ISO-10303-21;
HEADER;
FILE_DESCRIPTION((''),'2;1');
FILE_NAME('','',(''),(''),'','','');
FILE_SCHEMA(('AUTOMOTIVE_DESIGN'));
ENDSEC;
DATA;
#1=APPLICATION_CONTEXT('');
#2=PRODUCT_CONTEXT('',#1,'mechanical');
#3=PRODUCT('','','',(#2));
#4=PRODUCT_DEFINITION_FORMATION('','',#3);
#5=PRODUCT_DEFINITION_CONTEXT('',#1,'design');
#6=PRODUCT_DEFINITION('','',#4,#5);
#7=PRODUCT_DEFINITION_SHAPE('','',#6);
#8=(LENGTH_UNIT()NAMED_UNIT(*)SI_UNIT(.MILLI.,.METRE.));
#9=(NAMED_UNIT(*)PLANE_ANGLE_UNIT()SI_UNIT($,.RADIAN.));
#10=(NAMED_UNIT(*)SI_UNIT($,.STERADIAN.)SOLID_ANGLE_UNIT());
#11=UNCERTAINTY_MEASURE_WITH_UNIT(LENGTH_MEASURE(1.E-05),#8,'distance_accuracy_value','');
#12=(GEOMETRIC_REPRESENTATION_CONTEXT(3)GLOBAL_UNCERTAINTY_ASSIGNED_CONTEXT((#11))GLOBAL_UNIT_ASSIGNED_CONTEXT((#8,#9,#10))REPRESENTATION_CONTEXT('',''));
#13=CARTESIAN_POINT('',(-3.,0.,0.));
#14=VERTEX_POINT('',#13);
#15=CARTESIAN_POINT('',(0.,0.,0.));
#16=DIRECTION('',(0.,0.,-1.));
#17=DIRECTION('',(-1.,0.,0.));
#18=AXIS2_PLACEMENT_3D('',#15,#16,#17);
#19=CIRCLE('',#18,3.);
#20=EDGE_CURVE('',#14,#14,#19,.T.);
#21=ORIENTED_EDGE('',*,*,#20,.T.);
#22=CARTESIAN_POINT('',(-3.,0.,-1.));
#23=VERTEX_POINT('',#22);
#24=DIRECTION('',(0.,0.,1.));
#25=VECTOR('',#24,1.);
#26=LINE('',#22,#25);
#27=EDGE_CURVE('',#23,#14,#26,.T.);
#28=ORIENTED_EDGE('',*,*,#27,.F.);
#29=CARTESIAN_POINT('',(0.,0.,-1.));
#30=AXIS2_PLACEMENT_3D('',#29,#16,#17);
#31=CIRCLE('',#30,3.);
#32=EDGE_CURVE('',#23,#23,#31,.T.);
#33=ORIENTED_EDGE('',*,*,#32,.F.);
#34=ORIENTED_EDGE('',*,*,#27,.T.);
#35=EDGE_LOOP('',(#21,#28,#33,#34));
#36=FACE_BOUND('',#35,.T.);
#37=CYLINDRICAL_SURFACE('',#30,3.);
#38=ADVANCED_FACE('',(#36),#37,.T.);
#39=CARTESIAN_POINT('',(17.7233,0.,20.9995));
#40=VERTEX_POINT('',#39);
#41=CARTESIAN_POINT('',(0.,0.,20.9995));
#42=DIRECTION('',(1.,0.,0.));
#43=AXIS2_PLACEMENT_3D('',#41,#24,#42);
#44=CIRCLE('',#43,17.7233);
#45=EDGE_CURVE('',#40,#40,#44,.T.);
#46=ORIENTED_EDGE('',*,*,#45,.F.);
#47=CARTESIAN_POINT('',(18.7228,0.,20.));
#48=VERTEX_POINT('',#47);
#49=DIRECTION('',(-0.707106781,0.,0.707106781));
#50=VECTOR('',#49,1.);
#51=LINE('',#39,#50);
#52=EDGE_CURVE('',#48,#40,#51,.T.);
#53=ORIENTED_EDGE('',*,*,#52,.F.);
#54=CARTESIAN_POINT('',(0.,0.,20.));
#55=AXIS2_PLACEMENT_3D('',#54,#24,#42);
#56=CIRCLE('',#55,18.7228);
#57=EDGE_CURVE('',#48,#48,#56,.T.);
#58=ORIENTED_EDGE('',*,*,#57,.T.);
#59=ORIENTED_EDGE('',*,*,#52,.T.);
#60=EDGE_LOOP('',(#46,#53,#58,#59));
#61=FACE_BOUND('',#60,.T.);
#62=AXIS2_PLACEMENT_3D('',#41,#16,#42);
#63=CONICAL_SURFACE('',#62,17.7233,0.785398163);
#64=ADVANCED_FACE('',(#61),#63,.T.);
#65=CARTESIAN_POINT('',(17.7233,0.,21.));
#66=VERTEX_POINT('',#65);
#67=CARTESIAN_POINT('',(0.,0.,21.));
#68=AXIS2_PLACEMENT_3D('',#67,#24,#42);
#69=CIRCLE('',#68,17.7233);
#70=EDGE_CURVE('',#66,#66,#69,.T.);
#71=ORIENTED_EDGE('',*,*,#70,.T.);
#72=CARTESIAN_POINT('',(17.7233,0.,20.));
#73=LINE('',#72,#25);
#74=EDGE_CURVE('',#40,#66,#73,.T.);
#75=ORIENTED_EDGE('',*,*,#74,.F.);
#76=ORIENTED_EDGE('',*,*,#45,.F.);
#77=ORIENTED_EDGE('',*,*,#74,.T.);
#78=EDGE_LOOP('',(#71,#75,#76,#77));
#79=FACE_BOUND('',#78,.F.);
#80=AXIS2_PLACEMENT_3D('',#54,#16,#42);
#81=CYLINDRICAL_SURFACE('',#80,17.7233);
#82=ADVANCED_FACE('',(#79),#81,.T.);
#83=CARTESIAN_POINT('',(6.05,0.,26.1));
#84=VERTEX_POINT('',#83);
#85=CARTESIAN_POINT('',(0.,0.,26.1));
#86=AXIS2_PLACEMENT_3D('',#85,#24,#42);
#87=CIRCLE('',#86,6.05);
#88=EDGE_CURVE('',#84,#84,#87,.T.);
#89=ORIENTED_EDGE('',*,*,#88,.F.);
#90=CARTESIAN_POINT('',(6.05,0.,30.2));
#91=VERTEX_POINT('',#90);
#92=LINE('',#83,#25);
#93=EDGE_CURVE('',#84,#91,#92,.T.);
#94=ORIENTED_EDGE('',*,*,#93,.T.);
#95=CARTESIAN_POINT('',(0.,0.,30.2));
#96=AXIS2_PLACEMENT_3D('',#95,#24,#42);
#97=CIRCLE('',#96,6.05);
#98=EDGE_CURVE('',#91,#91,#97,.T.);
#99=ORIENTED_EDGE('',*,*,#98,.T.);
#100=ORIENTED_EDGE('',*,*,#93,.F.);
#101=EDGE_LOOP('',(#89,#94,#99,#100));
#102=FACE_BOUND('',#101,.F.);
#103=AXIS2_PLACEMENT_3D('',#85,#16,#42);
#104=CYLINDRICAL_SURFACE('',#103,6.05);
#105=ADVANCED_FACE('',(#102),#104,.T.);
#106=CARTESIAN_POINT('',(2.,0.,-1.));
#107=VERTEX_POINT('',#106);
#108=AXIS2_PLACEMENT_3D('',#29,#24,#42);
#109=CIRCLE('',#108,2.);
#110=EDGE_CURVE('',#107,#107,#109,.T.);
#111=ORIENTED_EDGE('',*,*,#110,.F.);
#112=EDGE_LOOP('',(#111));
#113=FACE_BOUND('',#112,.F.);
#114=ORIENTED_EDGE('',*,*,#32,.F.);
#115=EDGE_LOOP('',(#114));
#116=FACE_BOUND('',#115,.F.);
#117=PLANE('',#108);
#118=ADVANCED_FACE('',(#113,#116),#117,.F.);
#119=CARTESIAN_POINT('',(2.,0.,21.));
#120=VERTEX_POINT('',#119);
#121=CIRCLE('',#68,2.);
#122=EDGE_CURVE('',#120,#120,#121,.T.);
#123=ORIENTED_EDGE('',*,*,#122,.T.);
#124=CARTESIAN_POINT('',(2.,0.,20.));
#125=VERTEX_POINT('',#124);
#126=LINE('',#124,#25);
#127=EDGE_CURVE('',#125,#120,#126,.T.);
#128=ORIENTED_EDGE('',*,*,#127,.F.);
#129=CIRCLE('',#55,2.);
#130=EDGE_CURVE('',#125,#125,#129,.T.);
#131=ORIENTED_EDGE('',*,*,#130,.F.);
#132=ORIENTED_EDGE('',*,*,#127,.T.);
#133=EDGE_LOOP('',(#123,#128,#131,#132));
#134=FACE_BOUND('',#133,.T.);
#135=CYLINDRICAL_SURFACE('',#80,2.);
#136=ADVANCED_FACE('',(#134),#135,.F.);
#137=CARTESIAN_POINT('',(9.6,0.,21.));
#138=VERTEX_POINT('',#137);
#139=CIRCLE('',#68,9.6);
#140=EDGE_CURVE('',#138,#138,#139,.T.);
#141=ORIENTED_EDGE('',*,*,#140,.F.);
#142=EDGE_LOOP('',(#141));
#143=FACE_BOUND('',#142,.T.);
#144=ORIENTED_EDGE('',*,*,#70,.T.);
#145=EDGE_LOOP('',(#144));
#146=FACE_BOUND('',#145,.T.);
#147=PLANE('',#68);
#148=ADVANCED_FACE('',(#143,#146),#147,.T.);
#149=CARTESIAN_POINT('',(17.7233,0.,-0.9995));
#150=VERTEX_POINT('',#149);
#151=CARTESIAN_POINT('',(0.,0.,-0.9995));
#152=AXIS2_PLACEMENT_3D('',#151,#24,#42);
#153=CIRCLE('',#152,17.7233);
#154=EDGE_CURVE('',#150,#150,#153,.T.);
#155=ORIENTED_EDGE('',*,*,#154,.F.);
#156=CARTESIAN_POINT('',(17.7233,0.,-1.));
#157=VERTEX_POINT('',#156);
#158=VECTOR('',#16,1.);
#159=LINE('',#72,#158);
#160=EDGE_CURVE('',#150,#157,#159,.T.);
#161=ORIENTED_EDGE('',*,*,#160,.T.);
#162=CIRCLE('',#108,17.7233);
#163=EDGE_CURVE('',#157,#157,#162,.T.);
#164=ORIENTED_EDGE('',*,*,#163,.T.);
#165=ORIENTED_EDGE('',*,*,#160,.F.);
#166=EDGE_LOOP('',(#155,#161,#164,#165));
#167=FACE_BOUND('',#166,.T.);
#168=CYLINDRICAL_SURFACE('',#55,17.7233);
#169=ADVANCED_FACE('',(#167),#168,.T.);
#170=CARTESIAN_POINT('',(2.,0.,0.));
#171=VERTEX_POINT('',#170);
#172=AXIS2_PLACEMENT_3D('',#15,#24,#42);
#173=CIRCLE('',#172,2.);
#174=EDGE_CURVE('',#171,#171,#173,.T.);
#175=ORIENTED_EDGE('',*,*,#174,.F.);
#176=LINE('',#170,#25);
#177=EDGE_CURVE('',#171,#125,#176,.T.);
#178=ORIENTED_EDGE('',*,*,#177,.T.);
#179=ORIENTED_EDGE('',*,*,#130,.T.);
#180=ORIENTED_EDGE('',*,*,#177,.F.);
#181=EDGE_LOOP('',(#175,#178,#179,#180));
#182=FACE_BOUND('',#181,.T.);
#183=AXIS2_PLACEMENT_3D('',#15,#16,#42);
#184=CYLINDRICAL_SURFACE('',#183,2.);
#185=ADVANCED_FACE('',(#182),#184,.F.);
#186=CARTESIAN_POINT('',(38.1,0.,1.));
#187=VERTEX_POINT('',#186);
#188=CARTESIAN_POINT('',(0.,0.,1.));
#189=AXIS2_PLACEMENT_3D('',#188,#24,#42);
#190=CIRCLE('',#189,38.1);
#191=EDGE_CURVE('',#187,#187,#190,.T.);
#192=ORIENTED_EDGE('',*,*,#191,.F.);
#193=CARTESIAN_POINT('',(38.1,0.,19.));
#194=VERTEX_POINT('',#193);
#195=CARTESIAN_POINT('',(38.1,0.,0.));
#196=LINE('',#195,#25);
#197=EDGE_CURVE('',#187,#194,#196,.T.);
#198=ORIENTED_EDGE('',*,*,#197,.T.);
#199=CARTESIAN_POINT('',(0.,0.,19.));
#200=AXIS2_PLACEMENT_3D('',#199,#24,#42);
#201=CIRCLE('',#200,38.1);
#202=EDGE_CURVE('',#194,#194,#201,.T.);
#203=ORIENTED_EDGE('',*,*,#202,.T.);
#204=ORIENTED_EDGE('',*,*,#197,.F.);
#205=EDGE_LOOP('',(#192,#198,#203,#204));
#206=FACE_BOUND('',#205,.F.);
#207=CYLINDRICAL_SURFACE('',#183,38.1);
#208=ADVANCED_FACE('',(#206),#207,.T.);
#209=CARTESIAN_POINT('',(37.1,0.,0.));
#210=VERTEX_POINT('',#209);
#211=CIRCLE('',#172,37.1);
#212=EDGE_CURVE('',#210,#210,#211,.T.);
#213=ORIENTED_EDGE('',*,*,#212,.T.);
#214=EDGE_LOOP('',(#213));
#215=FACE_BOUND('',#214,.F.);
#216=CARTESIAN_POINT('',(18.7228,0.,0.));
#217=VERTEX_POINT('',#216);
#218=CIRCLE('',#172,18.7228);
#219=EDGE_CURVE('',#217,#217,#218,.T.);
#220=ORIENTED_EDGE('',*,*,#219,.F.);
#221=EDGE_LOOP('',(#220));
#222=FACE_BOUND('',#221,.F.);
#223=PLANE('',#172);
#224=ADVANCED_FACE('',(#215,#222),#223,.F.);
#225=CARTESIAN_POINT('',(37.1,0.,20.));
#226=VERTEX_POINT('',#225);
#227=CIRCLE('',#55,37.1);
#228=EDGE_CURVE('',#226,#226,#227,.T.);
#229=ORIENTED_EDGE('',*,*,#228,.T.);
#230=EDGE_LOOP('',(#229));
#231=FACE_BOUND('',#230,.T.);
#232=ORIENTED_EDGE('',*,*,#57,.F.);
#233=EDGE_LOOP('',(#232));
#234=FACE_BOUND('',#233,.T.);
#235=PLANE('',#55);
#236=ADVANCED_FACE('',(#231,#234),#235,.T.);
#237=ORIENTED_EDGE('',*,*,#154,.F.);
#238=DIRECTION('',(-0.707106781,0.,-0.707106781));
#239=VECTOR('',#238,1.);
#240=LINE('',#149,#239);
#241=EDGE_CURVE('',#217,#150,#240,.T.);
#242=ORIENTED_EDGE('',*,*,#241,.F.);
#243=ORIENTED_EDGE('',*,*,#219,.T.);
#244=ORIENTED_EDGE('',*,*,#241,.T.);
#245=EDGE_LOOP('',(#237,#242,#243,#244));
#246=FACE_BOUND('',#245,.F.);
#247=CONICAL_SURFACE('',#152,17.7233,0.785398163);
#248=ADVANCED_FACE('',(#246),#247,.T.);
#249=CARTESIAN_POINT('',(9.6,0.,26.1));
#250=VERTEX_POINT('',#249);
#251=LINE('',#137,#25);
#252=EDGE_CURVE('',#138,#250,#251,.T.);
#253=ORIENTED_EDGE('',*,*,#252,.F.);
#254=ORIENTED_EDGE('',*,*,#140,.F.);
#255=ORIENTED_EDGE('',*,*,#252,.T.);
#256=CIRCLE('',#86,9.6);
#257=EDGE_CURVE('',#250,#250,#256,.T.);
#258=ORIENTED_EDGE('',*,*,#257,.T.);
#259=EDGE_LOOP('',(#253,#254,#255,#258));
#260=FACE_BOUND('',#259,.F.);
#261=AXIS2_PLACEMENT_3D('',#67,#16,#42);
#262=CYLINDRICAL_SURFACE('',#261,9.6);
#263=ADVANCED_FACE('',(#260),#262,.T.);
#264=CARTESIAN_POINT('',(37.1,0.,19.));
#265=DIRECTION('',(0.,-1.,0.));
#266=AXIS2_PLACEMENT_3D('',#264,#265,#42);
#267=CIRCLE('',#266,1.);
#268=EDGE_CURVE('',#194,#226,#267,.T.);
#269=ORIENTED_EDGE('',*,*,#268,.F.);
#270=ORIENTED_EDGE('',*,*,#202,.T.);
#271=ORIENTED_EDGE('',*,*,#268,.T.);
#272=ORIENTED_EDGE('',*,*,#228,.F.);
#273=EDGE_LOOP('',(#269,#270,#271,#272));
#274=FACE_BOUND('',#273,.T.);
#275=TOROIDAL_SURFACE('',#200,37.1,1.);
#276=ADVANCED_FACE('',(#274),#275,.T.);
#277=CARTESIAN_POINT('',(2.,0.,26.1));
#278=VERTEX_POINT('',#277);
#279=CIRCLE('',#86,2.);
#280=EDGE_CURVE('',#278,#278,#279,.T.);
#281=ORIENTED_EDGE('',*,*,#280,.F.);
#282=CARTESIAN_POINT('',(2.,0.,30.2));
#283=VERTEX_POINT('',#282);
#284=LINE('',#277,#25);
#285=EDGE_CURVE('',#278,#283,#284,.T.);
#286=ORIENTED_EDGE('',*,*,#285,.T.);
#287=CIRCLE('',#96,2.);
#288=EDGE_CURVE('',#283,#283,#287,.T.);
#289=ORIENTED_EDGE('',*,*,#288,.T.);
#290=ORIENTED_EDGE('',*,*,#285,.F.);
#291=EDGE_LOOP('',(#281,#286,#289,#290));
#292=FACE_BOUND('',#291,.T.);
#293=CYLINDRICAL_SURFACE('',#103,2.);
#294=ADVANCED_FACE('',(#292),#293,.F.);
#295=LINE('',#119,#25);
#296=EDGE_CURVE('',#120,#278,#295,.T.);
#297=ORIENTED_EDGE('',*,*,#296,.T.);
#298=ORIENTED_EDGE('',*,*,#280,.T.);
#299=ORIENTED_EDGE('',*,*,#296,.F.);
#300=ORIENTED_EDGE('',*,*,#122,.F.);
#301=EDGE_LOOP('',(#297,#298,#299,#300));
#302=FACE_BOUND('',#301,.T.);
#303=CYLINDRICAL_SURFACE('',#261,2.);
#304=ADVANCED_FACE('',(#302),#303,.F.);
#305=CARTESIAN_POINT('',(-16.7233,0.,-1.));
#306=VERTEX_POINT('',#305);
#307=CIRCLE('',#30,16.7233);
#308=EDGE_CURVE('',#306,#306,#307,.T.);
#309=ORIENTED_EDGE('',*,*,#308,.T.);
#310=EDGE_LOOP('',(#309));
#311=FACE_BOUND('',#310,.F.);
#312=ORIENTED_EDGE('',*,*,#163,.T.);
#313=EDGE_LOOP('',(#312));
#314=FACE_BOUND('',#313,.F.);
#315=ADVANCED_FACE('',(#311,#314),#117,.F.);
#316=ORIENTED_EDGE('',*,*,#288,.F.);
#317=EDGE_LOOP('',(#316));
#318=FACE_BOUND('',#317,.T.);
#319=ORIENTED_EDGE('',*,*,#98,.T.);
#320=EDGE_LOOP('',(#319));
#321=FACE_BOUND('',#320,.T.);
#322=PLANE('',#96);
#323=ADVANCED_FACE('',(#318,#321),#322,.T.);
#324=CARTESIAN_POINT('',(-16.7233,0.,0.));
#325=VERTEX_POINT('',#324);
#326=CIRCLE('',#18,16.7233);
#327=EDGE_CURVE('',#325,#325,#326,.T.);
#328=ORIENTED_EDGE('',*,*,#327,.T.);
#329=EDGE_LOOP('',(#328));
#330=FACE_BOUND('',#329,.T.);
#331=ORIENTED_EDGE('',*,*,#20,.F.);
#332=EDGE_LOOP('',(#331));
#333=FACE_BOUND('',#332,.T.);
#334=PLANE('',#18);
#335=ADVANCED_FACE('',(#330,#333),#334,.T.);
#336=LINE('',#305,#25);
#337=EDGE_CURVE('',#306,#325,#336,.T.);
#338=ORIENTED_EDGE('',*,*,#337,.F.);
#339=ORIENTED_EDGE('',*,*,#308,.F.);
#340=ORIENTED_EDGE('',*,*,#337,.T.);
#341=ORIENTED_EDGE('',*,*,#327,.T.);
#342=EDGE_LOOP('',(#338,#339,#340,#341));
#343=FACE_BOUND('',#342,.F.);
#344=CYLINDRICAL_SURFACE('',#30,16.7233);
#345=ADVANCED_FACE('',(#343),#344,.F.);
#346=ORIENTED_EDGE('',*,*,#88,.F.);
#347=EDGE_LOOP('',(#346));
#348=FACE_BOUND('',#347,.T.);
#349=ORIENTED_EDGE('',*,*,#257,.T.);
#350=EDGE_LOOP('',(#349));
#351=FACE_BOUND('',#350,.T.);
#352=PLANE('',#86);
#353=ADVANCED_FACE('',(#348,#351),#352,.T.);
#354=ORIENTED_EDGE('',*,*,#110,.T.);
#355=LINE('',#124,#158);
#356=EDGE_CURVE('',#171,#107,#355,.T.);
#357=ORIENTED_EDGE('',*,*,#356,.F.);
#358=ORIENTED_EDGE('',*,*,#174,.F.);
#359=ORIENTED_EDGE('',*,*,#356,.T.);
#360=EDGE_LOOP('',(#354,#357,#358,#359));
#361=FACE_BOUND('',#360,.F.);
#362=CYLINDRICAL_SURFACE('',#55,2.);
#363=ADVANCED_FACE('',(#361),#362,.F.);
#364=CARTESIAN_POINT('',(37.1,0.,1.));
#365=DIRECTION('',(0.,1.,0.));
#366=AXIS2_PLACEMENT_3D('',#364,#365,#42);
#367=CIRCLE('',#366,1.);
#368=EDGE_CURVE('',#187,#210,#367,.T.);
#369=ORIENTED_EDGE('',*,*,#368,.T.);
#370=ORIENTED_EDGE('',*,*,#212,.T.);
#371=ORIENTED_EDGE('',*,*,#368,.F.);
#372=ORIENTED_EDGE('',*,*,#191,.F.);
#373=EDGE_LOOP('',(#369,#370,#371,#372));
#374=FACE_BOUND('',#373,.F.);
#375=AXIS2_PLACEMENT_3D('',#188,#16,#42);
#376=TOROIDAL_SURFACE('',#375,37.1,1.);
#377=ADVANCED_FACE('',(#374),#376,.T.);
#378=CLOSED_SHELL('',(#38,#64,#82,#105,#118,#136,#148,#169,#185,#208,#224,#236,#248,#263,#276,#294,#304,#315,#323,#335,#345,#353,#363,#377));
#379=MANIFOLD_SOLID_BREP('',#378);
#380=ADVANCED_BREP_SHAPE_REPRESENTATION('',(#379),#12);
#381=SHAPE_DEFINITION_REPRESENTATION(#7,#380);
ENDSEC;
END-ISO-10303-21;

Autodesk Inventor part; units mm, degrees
ref_plane "YZ Plane" through (0, 0, 0) normal (1, 0, 0) x (0, 1, 0)
ref_plane "XZ Plane" through (0, 0, 0) normal (0, 1, 0) x (-1, 0, 0)
ref_plane "XY Plane" through (0, 0, 0) normal (0, 0, 1) x (1, 0, 0)
sketch "Esquisse1" plane through (0, 0, 0) normal (0, 0, 1) x (1, 0, 0)
  circle A0 centre (0, 0) radius 38.1
  circle A1 centre (0, 0) radius 2
  dimension "d0" = 76.2
  dimension "d1" = 4
extrude "Extrusion1" add sketch "Esquisse1" along normal blind 20
sketch "Esquisse2" plane through (0, 0, 20) normal (0, 0, 1) x (1, 0, 0)
  circle A0 centre (0, 0) radius 2 projected
  circle A1 centre (0, 0) radius 38.1 projected
  circle A2 centre (0, 0) radius 17.7233
extrude "Extrusion2" add sketch "Esquisse2" along normal blind 1 and the other way blind 21 contours A2
fillet "Congé1" radius 1 2 edges at (-38.1, 0, 20) (-38.1, 0, 0)
chamfer "Chanfrein1" distance 1 angle 45 2 edges at (-17.7233, 0, 20) (-17.7233, 0, 0)
sketch "Esquisse3" plane through (0, 0, -1) normal (0, 0, -1) x (-1, 0, 0)
  circle A0 centre (0, 0) radius 2 projected
  circle A1 centre (0, 0) radius 17.7233 projected
  circle A2 centre (0, 0) radius 16.7233
  circle A3 centre (0, 0) radius 3
  dimension "d12" = 1
  dimension "d13" = 1
extrude "Extrusion3" cut sketch "Esquisse3" against normal blind 1 contours A2
sketch "Esquisse4" plane through (0, 0, 21) normal (0, 0, 1) x (1, 0, 0)
  circle A0 centre (0, 0) radius 9.6
  circle A1 centre (0, 0) radius 2 projected
  circle A2 centre (0, 0) radius 17.7233 projected
  dimension "d16" = 19.2
extrude "Extrusion4" add sketch "Esquisse4" along normal blind 5.1 contours A0
sketch "Esquisse5" plane through (0, 0, 26.1) normal (0, 0, 1) x (1, 0, 0)
  circle A0 centre (0, 0) radius 2 projected
  circle A1 centre (0, 0) radius 9.6 projected
  circle A2 centre (0, 0) radius 6.05
  dimension "d19" = 12.1
extrude "Extrusion5" add sketch "Esquisse5" along normal blind 4.1 contours A2
properties part number "Roue"
